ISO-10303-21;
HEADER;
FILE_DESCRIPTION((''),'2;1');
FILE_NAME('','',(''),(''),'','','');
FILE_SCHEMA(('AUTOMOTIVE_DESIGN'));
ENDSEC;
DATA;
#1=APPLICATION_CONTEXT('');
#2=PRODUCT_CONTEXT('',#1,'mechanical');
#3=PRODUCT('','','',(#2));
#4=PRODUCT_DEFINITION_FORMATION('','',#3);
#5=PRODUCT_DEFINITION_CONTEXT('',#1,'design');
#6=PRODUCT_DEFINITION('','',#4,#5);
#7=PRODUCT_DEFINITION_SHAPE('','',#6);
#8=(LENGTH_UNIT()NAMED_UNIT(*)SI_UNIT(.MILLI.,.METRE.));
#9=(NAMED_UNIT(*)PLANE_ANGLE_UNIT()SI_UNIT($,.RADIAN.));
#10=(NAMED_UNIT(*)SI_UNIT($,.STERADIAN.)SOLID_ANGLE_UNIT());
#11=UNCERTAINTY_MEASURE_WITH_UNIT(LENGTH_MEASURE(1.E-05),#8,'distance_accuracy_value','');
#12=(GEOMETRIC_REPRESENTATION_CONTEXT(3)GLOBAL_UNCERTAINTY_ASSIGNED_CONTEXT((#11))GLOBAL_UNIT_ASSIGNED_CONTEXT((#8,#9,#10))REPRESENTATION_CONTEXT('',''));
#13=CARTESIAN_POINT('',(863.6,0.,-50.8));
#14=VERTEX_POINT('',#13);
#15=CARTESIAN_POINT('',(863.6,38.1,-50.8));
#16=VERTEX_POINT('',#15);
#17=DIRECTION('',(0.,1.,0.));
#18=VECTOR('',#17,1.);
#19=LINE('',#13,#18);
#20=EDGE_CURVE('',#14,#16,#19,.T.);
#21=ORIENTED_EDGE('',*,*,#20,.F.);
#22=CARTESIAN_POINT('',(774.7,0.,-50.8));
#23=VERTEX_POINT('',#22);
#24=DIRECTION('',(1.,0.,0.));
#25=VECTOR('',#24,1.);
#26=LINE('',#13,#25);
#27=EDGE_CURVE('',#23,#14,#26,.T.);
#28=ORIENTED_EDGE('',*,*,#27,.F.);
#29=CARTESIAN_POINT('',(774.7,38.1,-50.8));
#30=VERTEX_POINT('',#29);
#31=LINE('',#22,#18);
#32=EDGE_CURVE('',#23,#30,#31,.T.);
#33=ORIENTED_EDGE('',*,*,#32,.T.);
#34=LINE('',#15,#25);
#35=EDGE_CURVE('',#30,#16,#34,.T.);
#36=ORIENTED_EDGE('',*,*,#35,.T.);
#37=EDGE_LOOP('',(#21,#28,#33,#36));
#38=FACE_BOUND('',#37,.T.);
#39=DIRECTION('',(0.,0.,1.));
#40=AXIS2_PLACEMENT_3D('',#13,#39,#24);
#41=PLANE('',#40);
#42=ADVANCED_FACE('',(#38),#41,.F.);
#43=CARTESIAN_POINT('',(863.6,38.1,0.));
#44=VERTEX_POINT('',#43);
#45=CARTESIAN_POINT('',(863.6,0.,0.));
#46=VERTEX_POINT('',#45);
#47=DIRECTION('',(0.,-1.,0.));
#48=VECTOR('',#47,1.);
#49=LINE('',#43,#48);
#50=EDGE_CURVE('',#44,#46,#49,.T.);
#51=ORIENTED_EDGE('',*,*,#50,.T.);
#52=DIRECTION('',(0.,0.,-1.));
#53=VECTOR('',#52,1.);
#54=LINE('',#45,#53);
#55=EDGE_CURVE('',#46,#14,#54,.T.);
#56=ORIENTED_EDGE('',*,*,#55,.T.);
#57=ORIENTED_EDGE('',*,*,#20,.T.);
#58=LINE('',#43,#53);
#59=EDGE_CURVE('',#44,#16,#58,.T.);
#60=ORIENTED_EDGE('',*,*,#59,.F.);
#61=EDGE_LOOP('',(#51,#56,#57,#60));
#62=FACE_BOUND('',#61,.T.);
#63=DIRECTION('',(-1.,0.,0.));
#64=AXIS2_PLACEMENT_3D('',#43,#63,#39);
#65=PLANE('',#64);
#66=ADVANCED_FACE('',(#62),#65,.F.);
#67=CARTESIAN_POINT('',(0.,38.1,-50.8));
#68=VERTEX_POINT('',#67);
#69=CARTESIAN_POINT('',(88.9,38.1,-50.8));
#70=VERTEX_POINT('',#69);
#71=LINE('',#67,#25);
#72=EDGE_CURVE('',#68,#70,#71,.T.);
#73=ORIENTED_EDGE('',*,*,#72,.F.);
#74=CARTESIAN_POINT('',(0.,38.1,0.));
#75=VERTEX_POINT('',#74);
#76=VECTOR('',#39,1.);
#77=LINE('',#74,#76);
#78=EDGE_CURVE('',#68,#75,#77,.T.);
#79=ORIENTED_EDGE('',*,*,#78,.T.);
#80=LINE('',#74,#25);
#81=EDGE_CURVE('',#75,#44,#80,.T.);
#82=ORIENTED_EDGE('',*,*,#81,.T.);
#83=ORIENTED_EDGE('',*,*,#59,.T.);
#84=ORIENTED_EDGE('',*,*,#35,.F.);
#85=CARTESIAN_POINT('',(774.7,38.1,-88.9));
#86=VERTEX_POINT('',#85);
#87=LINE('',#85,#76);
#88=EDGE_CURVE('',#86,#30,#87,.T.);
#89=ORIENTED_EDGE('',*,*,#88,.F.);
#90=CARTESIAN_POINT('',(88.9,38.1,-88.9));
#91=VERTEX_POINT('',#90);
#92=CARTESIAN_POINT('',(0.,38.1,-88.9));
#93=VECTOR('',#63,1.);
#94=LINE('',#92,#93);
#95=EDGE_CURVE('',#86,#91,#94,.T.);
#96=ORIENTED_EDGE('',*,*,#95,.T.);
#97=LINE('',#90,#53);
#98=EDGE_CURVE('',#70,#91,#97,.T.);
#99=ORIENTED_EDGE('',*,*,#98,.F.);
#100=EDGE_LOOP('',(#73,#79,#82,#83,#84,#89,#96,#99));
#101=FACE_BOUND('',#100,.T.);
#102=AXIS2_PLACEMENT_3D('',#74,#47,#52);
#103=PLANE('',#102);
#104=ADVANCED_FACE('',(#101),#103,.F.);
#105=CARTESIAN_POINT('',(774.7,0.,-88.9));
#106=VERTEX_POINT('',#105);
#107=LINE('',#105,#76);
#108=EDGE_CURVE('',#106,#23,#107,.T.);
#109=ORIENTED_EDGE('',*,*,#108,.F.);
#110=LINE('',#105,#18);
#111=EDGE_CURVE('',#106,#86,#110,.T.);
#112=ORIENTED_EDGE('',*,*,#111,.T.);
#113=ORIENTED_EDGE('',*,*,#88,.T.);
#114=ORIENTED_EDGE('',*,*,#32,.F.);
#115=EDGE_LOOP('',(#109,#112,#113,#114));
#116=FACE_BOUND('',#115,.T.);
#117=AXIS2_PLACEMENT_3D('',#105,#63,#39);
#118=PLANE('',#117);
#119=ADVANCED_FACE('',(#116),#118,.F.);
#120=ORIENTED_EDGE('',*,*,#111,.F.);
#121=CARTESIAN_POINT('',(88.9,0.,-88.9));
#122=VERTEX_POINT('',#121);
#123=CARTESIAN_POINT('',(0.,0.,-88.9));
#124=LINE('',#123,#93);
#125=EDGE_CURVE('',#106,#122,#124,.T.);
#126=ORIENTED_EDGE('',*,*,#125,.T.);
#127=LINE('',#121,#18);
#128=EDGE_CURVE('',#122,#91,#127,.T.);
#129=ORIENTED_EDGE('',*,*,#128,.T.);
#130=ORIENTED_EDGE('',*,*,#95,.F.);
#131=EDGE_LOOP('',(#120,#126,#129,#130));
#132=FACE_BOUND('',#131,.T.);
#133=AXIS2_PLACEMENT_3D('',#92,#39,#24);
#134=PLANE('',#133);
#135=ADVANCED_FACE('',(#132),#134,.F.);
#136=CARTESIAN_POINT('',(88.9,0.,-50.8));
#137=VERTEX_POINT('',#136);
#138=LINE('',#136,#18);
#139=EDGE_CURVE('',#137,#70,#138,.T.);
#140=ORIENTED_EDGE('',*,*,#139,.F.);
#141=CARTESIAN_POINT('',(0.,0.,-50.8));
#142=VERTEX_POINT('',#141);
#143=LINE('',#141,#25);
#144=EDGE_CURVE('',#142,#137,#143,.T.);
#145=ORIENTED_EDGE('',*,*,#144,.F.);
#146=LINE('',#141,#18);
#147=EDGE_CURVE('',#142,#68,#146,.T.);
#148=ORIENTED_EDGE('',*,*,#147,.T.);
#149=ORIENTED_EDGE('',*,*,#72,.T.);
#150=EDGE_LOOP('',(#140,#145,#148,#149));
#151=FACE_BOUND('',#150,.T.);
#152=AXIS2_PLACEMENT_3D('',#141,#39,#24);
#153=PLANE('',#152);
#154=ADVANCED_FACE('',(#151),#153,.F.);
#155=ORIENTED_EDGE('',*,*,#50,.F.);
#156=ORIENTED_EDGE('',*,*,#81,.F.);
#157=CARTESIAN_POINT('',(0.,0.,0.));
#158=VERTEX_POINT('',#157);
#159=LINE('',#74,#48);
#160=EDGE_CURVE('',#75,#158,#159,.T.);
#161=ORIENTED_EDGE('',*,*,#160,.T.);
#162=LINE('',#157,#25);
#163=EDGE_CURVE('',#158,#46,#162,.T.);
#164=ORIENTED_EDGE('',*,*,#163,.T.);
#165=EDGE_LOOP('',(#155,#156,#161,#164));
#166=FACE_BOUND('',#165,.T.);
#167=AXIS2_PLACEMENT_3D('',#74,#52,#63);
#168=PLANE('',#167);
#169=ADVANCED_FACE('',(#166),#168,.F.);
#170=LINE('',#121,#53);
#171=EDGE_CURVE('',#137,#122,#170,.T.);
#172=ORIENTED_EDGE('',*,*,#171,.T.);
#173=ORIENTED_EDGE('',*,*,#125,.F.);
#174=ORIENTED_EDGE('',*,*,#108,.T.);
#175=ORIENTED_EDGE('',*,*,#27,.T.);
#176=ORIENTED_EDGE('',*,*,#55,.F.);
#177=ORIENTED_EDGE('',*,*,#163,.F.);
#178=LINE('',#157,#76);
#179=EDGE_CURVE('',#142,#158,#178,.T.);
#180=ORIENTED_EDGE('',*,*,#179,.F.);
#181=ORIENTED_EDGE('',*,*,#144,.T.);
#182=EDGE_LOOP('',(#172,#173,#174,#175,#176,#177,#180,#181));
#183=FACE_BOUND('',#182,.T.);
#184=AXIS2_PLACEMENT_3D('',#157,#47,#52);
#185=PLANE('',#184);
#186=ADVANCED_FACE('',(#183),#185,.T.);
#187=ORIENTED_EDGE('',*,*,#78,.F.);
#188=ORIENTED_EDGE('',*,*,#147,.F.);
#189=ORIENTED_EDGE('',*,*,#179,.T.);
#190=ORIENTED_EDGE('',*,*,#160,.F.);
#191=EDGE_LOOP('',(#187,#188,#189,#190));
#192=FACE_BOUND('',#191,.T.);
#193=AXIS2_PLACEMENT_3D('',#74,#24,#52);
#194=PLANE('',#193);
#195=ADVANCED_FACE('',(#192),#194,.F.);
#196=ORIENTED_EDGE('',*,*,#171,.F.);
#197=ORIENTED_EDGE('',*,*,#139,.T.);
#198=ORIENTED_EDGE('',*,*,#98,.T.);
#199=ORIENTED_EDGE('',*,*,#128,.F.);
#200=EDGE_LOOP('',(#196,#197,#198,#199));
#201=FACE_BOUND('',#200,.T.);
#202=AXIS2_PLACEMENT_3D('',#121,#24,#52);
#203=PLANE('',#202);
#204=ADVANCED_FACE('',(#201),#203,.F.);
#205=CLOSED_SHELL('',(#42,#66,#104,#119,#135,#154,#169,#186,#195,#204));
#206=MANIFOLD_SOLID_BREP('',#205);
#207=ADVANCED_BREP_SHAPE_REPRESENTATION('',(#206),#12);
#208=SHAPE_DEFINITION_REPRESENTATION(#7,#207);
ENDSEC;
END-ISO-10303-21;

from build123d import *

# Parameters (mm, degrees)
SKETCH1_W           = 863.6
SKETCH1_H           = 88.9
BOSS_EXTRUDE1_DEPTH = 38.1
SKETCH3_W           = 88.9
SKETCH3_H           = 38.1
CUT_EXTRUDE1_DEPTH  = 39.1


with BuildPart() as part:
    # Sketch1 → Boss-Extrude1 (new body)
    with BuildSketch(Plane(origin=(0, 0, 0), x_dir=(1, 0, 0), z_dir=(0, 1, 0))):
        with Locations((431.8, 44.45)):
            Rectangle(SKETCH1_W, SKETCH1_H)
    extrude(amount=BOSS_EXTRUDE1_DEPTH)

    # Sketch3 → Cut-Extrude1 (cut, through all)
    with BuildSketch(Plane(origin=(0, 38.1, 0), x_dir=(1, 0, 0), z_dir=(0, 1, 0))):
        with Locations((819.15, 69.85)):
            Rectangle(SKETCH3_W, SKETCH3_H)
        with Locations((44.45, 69.85)):
            Rectangle(SKETCH3_W, SKETCH3_H)
    extrude(amount=-CUT_EXTRUDE1_DEPTH, mode=Mode.SUBTRACT)


solid = part.part
